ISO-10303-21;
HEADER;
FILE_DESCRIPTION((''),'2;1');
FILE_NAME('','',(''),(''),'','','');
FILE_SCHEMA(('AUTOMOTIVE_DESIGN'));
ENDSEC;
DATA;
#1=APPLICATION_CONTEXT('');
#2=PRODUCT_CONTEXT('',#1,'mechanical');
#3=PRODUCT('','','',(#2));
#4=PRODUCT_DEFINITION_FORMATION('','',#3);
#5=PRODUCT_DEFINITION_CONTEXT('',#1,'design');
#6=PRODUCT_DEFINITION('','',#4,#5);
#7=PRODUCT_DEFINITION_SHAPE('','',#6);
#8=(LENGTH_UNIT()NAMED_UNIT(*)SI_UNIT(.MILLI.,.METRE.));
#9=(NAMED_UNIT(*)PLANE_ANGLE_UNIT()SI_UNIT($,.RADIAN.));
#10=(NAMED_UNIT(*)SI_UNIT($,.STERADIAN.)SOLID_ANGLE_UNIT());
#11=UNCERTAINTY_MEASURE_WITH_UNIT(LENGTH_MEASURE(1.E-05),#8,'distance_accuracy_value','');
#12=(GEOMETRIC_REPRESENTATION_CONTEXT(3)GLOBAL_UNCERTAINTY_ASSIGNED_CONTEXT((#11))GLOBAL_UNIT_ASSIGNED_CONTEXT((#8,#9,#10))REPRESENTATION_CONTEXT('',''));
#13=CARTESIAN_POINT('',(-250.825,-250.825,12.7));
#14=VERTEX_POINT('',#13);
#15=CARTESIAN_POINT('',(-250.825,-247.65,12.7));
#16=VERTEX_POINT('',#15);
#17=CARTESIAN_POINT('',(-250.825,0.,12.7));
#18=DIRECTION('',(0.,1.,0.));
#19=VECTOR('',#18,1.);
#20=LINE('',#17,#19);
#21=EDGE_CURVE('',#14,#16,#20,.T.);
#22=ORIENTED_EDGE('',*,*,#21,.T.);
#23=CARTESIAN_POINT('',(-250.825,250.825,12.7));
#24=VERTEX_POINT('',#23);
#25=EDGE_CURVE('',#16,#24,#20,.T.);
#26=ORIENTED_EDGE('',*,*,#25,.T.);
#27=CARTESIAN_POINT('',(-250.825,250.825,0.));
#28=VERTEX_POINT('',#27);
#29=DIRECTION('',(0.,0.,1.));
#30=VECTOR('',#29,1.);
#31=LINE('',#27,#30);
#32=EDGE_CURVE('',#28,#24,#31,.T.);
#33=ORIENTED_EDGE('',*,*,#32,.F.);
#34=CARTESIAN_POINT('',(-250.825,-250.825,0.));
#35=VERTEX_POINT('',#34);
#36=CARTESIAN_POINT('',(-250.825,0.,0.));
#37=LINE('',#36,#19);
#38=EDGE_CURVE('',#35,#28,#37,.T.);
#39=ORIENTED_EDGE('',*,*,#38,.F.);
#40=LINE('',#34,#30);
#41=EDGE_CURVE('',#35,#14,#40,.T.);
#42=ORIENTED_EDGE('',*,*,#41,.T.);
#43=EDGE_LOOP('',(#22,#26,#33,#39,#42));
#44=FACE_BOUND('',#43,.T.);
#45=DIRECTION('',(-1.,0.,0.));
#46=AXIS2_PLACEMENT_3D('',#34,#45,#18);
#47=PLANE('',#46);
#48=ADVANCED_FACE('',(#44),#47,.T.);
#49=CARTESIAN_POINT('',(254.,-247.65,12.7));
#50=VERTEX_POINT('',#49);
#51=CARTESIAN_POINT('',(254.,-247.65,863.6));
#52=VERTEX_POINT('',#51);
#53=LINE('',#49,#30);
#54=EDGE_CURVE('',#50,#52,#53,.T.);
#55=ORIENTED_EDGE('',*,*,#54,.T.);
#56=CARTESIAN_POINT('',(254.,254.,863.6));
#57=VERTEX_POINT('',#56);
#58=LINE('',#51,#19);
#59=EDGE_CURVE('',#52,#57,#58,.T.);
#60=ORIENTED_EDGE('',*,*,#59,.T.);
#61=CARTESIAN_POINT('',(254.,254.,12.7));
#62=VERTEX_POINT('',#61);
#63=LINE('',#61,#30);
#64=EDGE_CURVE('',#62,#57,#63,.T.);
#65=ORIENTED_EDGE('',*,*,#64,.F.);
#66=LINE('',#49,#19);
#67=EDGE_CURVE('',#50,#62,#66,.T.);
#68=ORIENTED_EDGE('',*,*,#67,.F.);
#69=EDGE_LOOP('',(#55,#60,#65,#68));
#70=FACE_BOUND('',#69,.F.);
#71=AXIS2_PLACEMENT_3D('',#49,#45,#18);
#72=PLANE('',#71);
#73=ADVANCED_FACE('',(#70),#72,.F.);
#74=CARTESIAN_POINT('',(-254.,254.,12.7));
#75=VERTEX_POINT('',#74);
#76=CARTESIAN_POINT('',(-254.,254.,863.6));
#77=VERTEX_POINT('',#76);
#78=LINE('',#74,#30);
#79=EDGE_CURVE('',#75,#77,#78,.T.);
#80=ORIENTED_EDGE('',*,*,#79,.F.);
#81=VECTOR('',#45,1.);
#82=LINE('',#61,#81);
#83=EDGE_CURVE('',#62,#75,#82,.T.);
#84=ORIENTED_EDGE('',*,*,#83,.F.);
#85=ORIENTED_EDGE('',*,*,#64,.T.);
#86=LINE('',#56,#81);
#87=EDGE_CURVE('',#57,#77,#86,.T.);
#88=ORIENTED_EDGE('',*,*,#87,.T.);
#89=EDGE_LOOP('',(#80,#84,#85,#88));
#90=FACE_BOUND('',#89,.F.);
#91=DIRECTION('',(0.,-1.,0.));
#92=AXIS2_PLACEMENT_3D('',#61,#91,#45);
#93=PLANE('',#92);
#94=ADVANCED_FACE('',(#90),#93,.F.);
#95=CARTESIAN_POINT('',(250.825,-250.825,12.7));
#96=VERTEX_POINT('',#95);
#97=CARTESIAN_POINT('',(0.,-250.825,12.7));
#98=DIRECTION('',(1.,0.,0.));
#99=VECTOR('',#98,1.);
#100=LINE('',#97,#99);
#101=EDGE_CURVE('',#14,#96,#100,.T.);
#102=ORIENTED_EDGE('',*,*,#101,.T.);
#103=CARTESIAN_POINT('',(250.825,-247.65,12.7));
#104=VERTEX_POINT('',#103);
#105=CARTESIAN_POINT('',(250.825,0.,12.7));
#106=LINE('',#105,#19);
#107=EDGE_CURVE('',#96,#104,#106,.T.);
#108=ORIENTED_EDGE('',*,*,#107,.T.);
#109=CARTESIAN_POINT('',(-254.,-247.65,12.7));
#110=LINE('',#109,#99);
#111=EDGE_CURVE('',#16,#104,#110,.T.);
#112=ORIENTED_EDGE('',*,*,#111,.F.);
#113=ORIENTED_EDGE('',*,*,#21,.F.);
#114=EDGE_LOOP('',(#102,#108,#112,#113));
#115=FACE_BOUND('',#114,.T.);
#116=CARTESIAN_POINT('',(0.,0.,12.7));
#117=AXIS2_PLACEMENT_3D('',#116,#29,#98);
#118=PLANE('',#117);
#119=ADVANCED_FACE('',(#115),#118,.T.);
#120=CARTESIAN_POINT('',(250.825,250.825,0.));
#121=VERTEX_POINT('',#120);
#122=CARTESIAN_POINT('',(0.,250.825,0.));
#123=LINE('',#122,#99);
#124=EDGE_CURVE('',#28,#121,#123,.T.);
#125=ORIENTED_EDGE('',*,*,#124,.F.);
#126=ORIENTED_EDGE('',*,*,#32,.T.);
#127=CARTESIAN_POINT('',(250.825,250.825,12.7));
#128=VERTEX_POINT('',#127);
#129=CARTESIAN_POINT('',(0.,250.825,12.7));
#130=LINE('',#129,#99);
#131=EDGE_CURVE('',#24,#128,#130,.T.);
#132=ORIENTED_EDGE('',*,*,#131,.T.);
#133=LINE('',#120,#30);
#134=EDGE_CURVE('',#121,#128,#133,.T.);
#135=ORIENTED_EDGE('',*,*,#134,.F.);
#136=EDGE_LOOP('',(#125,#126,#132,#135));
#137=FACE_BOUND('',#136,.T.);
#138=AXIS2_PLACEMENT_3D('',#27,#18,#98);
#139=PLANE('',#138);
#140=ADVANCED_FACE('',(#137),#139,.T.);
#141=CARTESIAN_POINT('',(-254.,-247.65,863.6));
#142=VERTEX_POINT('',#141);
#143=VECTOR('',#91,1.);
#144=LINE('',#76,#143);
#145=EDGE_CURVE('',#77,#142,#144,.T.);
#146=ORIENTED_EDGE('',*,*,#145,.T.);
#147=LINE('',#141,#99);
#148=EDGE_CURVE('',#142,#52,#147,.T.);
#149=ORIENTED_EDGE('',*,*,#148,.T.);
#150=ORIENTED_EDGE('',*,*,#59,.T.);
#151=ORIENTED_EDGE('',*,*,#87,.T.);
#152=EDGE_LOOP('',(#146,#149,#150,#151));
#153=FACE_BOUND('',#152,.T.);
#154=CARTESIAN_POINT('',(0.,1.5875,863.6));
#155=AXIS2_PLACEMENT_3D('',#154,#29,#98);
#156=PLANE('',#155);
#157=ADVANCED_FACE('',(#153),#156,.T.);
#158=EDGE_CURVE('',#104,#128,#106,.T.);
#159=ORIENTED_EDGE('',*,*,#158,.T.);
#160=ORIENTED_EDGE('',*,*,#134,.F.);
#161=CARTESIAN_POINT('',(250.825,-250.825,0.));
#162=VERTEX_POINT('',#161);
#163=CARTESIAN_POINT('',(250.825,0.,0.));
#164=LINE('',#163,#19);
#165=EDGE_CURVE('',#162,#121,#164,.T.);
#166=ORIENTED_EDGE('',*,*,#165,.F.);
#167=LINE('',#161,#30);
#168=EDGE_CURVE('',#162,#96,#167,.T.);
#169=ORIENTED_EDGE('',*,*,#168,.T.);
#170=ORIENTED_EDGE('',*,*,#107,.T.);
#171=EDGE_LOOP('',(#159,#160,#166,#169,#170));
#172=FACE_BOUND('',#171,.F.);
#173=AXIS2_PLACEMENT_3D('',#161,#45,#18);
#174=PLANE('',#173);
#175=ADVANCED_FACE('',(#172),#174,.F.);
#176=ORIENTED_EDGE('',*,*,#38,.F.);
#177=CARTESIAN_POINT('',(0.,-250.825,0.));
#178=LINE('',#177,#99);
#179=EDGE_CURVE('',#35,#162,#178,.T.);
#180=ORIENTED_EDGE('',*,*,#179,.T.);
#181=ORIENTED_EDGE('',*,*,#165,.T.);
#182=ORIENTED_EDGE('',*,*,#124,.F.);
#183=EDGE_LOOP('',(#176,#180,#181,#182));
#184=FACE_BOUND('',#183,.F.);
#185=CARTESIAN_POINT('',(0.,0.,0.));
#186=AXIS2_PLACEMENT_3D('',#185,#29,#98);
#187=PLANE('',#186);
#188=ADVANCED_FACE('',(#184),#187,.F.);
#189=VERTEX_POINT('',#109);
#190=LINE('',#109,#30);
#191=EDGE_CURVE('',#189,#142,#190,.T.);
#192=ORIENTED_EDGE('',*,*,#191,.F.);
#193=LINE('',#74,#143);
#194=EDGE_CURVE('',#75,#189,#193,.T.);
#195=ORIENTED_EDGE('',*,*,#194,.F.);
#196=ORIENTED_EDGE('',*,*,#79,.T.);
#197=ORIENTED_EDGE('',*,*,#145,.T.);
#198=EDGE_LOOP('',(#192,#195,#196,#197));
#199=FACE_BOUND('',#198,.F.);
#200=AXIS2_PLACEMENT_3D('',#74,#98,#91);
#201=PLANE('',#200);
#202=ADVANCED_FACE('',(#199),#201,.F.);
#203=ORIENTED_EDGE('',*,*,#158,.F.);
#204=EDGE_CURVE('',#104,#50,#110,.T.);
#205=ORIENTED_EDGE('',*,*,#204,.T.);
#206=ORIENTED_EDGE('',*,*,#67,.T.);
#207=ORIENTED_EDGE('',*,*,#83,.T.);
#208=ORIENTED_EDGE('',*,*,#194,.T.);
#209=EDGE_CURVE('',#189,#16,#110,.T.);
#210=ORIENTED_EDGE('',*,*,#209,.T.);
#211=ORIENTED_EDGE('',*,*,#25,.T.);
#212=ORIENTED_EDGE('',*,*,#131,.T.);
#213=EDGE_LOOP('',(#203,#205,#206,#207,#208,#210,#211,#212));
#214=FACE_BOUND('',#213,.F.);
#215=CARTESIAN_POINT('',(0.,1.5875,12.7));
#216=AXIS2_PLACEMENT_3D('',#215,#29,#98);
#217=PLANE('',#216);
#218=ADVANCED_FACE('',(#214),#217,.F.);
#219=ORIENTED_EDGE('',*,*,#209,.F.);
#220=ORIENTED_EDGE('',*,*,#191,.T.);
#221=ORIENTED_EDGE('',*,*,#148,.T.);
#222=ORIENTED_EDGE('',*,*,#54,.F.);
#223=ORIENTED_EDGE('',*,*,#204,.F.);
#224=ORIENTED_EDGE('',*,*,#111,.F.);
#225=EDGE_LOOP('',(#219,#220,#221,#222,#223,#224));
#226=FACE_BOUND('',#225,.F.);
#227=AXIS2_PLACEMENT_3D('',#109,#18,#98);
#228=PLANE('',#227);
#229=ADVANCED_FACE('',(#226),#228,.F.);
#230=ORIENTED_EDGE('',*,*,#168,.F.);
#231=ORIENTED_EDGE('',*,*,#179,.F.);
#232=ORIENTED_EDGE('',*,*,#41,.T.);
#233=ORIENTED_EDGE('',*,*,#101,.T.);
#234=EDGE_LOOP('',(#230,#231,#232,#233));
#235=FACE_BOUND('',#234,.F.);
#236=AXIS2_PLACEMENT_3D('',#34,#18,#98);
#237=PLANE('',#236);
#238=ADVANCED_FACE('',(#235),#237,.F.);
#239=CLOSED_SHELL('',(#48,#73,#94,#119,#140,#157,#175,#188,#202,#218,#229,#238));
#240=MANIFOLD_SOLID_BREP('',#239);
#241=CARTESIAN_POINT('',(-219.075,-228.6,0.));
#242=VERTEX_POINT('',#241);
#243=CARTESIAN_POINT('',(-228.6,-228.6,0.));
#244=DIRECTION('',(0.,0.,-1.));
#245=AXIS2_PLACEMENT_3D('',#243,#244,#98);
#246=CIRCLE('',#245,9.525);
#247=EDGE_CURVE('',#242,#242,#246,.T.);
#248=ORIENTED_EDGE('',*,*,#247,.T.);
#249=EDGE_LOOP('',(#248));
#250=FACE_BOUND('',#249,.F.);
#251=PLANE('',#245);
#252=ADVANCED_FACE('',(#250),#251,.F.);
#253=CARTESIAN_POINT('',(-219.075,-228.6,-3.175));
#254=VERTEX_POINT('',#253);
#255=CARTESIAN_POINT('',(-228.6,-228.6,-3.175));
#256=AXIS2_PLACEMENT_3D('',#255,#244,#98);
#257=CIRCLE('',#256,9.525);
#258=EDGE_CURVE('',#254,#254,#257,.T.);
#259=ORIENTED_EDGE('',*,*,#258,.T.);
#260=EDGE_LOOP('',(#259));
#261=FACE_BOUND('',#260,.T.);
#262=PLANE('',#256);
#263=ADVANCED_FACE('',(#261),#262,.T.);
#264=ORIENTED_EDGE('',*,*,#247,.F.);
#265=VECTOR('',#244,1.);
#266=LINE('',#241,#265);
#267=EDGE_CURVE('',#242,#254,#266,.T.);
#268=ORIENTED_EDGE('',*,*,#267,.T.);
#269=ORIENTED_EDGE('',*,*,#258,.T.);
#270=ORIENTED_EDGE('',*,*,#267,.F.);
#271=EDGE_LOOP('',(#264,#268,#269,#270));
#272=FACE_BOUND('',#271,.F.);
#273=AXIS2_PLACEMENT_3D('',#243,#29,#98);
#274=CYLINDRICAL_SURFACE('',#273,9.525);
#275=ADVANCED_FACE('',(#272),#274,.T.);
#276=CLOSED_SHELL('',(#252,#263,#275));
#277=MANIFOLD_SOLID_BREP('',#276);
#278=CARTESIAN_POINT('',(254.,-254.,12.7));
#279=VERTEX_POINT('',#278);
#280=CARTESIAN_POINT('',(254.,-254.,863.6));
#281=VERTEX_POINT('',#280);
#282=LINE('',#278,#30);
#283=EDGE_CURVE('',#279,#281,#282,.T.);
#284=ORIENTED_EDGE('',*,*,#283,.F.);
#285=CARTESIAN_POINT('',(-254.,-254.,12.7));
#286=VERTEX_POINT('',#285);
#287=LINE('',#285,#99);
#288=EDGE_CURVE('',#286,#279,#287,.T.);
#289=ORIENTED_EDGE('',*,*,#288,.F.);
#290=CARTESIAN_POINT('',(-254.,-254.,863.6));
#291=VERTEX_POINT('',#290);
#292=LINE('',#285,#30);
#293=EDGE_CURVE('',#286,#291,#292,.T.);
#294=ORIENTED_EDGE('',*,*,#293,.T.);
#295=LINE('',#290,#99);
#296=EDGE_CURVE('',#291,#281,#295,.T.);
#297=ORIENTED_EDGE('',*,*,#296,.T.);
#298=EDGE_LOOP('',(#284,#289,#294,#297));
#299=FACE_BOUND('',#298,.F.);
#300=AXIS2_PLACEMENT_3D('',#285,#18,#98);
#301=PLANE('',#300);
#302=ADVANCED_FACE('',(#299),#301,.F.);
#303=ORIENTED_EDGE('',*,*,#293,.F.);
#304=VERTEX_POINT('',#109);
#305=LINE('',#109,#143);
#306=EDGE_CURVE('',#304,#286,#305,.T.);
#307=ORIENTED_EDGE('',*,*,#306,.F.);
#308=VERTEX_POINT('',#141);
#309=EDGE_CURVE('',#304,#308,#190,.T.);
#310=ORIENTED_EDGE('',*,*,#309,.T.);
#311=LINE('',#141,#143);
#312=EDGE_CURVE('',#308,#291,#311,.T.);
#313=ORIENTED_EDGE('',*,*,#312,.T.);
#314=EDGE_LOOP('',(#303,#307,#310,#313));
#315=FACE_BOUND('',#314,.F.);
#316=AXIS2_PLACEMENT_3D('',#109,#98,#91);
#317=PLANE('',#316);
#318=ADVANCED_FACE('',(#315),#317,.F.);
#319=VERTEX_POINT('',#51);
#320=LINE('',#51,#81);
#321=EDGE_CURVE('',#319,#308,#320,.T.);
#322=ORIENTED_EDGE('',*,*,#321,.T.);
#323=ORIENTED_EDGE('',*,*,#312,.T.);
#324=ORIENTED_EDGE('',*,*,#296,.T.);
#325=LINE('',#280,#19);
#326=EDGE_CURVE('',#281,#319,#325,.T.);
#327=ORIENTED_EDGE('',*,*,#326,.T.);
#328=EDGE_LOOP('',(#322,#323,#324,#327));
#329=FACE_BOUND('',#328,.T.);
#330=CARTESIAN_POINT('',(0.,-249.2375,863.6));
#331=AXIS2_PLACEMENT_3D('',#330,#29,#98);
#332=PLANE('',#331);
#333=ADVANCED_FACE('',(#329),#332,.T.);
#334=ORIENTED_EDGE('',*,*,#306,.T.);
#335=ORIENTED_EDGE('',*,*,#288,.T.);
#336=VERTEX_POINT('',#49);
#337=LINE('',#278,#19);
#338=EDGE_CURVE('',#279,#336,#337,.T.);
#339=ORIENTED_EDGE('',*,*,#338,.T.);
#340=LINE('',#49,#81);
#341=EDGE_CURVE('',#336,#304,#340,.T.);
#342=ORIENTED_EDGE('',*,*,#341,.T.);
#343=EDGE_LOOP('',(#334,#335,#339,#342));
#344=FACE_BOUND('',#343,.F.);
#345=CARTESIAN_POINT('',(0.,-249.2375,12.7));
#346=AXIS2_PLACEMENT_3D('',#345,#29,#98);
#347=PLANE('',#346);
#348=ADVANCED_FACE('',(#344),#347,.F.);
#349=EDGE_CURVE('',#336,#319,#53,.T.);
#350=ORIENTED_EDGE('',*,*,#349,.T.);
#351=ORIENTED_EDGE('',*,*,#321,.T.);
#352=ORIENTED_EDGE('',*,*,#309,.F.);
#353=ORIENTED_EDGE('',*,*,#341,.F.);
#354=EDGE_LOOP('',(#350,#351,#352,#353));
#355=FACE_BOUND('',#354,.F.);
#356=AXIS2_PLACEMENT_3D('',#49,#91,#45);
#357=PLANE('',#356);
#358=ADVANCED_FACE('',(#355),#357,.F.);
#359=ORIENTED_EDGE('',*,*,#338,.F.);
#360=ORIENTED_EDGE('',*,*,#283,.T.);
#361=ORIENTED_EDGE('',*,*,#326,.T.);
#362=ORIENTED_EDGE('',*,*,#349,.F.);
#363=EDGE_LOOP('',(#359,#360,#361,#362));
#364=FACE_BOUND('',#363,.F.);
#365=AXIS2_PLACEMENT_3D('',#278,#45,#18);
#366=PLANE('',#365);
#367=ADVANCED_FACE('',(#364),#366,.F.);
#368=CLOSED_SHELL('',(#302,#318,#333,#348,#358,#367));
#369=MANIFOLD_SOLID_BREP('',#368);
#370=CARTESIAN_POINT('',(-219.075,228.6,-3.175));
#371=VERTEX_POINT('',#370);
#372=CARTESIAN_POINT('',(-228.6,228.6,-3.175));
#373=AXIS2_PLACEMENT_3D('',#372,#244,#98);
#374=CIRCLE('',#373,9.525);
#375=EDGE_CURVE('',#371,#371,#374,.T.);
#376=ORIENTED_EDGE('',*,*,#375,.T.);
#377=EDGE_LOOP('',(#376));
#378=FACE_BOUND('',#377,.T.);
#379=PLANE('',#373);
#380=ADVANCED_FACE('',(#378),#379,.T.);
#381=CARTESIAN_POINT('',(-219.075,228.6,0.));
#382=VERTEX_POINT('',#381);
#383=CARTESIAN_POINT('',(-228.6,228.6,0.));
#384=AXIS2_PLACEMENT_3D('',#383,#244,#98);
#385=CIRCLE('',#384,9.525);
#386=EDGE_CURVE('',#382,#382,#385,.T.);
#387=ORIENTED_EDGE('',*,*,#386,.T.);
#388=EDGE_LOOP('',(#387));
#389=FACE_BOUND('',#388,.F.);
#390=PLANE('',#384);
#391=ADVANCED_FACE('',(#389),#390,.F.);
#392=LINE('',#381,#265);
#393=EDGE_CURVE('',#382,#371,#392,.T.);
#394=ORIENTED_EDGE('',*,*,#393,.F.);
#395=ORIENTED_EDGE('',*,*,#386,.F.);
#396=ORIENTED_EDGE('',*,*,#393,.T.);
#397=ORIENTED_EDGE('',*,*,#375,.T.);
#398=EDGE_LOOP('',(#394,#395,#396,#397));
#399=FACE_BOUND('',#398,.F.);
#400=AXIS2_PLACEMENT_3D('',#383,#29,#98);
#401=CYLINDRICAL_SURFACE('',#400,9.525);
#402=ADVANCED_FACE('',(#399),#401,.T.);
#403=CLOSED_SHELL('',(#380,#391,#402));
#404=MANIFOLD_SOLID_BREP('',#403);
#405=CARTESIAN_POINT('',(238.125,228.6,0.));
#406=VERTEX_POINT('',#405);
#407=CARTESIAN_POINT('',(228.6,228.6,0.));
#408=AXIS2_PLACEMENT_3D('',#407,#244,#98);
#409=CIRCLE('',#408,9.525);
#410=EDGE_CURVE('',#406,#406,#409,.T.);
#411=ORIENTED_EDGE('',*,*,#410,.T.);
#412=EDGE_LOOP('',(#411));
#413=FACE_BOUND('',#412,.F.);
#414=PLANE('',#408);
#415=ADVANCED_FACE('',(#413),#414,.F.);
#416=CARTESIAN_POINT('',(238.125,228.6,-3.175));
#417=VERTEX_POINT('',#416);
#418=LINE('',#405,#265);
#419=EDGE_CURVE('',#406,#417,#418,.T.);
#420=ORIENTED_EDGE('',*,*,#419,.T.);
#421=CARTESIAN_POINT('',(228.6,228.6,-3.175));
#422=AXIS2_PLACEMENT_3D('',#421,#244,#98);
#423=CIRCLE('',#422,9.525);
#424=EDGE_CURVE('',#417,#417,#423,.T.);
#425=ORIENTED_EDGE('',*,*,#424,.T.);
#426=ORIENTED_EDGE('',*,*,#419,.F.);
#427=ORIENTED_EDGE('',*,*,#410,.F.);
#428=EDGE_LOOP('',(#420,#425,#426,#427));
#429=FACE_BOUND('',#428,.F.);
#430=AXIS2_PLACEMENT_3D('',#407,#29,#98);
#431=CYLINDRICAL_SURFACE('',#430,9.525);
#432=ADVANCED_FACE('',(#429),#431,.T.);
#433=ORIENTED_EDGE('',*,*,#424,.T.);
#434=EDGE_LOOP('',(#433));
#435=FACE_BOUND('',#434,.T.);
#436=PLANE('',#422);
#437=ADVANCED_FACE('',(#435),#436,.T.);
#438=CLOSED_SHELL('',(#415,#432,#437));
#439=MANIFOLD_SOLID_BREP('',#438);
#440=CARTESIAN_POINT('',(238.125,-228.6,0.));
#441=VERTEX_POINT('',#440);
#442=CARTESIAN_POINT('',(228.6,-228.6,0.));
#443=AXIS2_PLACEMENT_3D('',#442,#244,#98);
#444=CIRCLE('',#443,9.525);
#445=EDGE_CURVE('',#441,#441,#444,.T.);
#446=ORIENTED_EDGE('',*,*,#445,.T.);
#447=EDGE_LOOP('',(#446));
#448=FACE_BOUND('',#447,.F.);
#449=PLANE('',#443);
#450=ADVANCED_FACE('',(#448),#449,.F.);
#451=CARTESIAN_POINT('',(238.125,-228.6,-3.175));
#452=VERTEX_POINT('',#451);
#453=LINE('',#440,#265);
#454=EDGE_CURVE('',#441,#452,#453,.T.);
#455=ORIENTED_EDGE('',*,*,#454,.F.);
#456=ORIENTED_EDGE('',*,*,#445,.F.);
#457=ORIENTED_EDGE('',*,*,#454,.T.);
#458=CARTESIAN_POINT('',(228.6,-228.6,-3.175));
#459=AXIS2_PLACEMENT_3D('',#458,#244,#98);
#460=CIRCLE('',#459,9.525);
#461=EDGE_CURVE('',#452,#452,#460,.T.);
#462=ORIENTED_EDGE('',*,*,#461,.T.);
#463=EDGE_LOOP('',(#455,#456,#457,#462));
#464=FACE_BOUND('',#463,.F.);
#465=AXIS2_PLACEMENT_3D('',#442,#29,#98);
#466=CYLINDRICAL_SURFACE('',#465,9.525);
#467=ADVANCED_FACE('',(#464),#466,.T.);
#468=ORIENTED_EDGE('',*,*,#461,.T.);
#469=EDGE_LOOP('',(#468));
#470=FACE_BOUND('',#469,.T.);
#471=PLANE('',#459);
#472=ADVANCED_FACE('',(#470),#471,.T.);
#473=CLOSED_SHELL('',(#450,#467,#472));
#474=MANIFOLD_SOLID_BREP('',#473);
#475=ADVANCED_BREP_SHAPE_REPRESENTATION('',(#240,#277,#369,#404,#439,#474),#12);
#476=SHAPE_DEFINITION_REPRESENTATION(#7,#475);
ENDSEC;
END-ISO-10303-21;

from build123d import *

# Parameters (mm, degrees)
F0_W     = 501.65
F0_H     = 501.65
F1_DEPTH = 12.7
F2_W     = 501.65
F2_H     = 498.475
F3_DEPTH = 850.9
F2_H_2   = 3.175
F4_DEPTH = 850.9
F5_R     = 9.525
F6_DEPTH = 3.175


with BuildPart() as f1:
    # F0 (on Top) → F1 (new body)
    with BuildSketch(Plane.XY):
        Rectangle(F0_W, F0_H)
    extrude(amount=F1_DEPTH)

    # F2 (on face) → F3 (join)
    with BuildSketch(Plane.XY.offset(12.7)):
        with Locations((0, 1.5875)):
            Rectangle(F2_W, F2_H)
        Polygon((254, 254), (-254, 254), (-254, -247.65), (-250.825, -247.65), (-250.825, 250.825), (250.825, 250.825), (250.825, -247.65), (254, -247.65), align=None)
    extrude(amount=F3_DEPTH)


with BuildPart() as f4:
    # F2 (on face) → F4 (new body)
    with BuildSketch(Plane.XY.offset(12.7)):
        with Locations((0, -249.2375)):
            Rectangle(F2_W, F2_H_2)
        Polygon((-250.825, -247.65), (-254, -247.65), (-254, -254), (254, -254), (254, -247.65), (250.825, -247.65), (250.825, -250.825), (-250.825, -250.825), align=None)
    extrude(amount=F4_DEPTH)


with BuildPart() as f6:
    # F5 (on face) → F6 (new body)
    with BuildSketch(Plane(origin=(0, 0, 0), x_dir=(1, 0, 0), z_dir=(0, 0, -1))):
        with Locations((-228.6, 228.6)):
            Circle(F5_R)
    extrude(amount=F6_DEPTH)


with BuildPart() as f6b:
    # F5 (on face) → F6, piece 2 (new body)
    with BuildSketch(Plane(origin=(0, 0, 0), x_dir=(1, 0, 0), z_dir=(0, 0, -1))):
        with Locations((-228.6, -228.6)):
            Circle(F5_R)
    extrude(amount=F6_DEPTH)


with BuildPart() as f6c:
    # F5 (on face) → F6, piece 3 (new body)
    with BuildSketch(Plane(origin=(0, 0, 0), x_dir=(1, 0, 0), z_dir=(0, 0, -1))):
        with Locations((228.6, 228.6)):
            Circle(F5_R)
    extrude(amount=F6_DEPTH)


with BuildPart() as f6d:
    # F5 (on face) → F6, piece 4 (new body)
    with BuildSketch(Plane(origin=(0, 0, 0), x_dir=(1, 0, 0), z_dir=(0, 0, -1))):
        with Locations((228.6, -228.6)):
            Circle(F5_R)
    extrude(amount=F6_DEPTH)


solid = Compound([f1.part, f4.part, f6.part, f6b.part, f6c.part, f6d.part])
